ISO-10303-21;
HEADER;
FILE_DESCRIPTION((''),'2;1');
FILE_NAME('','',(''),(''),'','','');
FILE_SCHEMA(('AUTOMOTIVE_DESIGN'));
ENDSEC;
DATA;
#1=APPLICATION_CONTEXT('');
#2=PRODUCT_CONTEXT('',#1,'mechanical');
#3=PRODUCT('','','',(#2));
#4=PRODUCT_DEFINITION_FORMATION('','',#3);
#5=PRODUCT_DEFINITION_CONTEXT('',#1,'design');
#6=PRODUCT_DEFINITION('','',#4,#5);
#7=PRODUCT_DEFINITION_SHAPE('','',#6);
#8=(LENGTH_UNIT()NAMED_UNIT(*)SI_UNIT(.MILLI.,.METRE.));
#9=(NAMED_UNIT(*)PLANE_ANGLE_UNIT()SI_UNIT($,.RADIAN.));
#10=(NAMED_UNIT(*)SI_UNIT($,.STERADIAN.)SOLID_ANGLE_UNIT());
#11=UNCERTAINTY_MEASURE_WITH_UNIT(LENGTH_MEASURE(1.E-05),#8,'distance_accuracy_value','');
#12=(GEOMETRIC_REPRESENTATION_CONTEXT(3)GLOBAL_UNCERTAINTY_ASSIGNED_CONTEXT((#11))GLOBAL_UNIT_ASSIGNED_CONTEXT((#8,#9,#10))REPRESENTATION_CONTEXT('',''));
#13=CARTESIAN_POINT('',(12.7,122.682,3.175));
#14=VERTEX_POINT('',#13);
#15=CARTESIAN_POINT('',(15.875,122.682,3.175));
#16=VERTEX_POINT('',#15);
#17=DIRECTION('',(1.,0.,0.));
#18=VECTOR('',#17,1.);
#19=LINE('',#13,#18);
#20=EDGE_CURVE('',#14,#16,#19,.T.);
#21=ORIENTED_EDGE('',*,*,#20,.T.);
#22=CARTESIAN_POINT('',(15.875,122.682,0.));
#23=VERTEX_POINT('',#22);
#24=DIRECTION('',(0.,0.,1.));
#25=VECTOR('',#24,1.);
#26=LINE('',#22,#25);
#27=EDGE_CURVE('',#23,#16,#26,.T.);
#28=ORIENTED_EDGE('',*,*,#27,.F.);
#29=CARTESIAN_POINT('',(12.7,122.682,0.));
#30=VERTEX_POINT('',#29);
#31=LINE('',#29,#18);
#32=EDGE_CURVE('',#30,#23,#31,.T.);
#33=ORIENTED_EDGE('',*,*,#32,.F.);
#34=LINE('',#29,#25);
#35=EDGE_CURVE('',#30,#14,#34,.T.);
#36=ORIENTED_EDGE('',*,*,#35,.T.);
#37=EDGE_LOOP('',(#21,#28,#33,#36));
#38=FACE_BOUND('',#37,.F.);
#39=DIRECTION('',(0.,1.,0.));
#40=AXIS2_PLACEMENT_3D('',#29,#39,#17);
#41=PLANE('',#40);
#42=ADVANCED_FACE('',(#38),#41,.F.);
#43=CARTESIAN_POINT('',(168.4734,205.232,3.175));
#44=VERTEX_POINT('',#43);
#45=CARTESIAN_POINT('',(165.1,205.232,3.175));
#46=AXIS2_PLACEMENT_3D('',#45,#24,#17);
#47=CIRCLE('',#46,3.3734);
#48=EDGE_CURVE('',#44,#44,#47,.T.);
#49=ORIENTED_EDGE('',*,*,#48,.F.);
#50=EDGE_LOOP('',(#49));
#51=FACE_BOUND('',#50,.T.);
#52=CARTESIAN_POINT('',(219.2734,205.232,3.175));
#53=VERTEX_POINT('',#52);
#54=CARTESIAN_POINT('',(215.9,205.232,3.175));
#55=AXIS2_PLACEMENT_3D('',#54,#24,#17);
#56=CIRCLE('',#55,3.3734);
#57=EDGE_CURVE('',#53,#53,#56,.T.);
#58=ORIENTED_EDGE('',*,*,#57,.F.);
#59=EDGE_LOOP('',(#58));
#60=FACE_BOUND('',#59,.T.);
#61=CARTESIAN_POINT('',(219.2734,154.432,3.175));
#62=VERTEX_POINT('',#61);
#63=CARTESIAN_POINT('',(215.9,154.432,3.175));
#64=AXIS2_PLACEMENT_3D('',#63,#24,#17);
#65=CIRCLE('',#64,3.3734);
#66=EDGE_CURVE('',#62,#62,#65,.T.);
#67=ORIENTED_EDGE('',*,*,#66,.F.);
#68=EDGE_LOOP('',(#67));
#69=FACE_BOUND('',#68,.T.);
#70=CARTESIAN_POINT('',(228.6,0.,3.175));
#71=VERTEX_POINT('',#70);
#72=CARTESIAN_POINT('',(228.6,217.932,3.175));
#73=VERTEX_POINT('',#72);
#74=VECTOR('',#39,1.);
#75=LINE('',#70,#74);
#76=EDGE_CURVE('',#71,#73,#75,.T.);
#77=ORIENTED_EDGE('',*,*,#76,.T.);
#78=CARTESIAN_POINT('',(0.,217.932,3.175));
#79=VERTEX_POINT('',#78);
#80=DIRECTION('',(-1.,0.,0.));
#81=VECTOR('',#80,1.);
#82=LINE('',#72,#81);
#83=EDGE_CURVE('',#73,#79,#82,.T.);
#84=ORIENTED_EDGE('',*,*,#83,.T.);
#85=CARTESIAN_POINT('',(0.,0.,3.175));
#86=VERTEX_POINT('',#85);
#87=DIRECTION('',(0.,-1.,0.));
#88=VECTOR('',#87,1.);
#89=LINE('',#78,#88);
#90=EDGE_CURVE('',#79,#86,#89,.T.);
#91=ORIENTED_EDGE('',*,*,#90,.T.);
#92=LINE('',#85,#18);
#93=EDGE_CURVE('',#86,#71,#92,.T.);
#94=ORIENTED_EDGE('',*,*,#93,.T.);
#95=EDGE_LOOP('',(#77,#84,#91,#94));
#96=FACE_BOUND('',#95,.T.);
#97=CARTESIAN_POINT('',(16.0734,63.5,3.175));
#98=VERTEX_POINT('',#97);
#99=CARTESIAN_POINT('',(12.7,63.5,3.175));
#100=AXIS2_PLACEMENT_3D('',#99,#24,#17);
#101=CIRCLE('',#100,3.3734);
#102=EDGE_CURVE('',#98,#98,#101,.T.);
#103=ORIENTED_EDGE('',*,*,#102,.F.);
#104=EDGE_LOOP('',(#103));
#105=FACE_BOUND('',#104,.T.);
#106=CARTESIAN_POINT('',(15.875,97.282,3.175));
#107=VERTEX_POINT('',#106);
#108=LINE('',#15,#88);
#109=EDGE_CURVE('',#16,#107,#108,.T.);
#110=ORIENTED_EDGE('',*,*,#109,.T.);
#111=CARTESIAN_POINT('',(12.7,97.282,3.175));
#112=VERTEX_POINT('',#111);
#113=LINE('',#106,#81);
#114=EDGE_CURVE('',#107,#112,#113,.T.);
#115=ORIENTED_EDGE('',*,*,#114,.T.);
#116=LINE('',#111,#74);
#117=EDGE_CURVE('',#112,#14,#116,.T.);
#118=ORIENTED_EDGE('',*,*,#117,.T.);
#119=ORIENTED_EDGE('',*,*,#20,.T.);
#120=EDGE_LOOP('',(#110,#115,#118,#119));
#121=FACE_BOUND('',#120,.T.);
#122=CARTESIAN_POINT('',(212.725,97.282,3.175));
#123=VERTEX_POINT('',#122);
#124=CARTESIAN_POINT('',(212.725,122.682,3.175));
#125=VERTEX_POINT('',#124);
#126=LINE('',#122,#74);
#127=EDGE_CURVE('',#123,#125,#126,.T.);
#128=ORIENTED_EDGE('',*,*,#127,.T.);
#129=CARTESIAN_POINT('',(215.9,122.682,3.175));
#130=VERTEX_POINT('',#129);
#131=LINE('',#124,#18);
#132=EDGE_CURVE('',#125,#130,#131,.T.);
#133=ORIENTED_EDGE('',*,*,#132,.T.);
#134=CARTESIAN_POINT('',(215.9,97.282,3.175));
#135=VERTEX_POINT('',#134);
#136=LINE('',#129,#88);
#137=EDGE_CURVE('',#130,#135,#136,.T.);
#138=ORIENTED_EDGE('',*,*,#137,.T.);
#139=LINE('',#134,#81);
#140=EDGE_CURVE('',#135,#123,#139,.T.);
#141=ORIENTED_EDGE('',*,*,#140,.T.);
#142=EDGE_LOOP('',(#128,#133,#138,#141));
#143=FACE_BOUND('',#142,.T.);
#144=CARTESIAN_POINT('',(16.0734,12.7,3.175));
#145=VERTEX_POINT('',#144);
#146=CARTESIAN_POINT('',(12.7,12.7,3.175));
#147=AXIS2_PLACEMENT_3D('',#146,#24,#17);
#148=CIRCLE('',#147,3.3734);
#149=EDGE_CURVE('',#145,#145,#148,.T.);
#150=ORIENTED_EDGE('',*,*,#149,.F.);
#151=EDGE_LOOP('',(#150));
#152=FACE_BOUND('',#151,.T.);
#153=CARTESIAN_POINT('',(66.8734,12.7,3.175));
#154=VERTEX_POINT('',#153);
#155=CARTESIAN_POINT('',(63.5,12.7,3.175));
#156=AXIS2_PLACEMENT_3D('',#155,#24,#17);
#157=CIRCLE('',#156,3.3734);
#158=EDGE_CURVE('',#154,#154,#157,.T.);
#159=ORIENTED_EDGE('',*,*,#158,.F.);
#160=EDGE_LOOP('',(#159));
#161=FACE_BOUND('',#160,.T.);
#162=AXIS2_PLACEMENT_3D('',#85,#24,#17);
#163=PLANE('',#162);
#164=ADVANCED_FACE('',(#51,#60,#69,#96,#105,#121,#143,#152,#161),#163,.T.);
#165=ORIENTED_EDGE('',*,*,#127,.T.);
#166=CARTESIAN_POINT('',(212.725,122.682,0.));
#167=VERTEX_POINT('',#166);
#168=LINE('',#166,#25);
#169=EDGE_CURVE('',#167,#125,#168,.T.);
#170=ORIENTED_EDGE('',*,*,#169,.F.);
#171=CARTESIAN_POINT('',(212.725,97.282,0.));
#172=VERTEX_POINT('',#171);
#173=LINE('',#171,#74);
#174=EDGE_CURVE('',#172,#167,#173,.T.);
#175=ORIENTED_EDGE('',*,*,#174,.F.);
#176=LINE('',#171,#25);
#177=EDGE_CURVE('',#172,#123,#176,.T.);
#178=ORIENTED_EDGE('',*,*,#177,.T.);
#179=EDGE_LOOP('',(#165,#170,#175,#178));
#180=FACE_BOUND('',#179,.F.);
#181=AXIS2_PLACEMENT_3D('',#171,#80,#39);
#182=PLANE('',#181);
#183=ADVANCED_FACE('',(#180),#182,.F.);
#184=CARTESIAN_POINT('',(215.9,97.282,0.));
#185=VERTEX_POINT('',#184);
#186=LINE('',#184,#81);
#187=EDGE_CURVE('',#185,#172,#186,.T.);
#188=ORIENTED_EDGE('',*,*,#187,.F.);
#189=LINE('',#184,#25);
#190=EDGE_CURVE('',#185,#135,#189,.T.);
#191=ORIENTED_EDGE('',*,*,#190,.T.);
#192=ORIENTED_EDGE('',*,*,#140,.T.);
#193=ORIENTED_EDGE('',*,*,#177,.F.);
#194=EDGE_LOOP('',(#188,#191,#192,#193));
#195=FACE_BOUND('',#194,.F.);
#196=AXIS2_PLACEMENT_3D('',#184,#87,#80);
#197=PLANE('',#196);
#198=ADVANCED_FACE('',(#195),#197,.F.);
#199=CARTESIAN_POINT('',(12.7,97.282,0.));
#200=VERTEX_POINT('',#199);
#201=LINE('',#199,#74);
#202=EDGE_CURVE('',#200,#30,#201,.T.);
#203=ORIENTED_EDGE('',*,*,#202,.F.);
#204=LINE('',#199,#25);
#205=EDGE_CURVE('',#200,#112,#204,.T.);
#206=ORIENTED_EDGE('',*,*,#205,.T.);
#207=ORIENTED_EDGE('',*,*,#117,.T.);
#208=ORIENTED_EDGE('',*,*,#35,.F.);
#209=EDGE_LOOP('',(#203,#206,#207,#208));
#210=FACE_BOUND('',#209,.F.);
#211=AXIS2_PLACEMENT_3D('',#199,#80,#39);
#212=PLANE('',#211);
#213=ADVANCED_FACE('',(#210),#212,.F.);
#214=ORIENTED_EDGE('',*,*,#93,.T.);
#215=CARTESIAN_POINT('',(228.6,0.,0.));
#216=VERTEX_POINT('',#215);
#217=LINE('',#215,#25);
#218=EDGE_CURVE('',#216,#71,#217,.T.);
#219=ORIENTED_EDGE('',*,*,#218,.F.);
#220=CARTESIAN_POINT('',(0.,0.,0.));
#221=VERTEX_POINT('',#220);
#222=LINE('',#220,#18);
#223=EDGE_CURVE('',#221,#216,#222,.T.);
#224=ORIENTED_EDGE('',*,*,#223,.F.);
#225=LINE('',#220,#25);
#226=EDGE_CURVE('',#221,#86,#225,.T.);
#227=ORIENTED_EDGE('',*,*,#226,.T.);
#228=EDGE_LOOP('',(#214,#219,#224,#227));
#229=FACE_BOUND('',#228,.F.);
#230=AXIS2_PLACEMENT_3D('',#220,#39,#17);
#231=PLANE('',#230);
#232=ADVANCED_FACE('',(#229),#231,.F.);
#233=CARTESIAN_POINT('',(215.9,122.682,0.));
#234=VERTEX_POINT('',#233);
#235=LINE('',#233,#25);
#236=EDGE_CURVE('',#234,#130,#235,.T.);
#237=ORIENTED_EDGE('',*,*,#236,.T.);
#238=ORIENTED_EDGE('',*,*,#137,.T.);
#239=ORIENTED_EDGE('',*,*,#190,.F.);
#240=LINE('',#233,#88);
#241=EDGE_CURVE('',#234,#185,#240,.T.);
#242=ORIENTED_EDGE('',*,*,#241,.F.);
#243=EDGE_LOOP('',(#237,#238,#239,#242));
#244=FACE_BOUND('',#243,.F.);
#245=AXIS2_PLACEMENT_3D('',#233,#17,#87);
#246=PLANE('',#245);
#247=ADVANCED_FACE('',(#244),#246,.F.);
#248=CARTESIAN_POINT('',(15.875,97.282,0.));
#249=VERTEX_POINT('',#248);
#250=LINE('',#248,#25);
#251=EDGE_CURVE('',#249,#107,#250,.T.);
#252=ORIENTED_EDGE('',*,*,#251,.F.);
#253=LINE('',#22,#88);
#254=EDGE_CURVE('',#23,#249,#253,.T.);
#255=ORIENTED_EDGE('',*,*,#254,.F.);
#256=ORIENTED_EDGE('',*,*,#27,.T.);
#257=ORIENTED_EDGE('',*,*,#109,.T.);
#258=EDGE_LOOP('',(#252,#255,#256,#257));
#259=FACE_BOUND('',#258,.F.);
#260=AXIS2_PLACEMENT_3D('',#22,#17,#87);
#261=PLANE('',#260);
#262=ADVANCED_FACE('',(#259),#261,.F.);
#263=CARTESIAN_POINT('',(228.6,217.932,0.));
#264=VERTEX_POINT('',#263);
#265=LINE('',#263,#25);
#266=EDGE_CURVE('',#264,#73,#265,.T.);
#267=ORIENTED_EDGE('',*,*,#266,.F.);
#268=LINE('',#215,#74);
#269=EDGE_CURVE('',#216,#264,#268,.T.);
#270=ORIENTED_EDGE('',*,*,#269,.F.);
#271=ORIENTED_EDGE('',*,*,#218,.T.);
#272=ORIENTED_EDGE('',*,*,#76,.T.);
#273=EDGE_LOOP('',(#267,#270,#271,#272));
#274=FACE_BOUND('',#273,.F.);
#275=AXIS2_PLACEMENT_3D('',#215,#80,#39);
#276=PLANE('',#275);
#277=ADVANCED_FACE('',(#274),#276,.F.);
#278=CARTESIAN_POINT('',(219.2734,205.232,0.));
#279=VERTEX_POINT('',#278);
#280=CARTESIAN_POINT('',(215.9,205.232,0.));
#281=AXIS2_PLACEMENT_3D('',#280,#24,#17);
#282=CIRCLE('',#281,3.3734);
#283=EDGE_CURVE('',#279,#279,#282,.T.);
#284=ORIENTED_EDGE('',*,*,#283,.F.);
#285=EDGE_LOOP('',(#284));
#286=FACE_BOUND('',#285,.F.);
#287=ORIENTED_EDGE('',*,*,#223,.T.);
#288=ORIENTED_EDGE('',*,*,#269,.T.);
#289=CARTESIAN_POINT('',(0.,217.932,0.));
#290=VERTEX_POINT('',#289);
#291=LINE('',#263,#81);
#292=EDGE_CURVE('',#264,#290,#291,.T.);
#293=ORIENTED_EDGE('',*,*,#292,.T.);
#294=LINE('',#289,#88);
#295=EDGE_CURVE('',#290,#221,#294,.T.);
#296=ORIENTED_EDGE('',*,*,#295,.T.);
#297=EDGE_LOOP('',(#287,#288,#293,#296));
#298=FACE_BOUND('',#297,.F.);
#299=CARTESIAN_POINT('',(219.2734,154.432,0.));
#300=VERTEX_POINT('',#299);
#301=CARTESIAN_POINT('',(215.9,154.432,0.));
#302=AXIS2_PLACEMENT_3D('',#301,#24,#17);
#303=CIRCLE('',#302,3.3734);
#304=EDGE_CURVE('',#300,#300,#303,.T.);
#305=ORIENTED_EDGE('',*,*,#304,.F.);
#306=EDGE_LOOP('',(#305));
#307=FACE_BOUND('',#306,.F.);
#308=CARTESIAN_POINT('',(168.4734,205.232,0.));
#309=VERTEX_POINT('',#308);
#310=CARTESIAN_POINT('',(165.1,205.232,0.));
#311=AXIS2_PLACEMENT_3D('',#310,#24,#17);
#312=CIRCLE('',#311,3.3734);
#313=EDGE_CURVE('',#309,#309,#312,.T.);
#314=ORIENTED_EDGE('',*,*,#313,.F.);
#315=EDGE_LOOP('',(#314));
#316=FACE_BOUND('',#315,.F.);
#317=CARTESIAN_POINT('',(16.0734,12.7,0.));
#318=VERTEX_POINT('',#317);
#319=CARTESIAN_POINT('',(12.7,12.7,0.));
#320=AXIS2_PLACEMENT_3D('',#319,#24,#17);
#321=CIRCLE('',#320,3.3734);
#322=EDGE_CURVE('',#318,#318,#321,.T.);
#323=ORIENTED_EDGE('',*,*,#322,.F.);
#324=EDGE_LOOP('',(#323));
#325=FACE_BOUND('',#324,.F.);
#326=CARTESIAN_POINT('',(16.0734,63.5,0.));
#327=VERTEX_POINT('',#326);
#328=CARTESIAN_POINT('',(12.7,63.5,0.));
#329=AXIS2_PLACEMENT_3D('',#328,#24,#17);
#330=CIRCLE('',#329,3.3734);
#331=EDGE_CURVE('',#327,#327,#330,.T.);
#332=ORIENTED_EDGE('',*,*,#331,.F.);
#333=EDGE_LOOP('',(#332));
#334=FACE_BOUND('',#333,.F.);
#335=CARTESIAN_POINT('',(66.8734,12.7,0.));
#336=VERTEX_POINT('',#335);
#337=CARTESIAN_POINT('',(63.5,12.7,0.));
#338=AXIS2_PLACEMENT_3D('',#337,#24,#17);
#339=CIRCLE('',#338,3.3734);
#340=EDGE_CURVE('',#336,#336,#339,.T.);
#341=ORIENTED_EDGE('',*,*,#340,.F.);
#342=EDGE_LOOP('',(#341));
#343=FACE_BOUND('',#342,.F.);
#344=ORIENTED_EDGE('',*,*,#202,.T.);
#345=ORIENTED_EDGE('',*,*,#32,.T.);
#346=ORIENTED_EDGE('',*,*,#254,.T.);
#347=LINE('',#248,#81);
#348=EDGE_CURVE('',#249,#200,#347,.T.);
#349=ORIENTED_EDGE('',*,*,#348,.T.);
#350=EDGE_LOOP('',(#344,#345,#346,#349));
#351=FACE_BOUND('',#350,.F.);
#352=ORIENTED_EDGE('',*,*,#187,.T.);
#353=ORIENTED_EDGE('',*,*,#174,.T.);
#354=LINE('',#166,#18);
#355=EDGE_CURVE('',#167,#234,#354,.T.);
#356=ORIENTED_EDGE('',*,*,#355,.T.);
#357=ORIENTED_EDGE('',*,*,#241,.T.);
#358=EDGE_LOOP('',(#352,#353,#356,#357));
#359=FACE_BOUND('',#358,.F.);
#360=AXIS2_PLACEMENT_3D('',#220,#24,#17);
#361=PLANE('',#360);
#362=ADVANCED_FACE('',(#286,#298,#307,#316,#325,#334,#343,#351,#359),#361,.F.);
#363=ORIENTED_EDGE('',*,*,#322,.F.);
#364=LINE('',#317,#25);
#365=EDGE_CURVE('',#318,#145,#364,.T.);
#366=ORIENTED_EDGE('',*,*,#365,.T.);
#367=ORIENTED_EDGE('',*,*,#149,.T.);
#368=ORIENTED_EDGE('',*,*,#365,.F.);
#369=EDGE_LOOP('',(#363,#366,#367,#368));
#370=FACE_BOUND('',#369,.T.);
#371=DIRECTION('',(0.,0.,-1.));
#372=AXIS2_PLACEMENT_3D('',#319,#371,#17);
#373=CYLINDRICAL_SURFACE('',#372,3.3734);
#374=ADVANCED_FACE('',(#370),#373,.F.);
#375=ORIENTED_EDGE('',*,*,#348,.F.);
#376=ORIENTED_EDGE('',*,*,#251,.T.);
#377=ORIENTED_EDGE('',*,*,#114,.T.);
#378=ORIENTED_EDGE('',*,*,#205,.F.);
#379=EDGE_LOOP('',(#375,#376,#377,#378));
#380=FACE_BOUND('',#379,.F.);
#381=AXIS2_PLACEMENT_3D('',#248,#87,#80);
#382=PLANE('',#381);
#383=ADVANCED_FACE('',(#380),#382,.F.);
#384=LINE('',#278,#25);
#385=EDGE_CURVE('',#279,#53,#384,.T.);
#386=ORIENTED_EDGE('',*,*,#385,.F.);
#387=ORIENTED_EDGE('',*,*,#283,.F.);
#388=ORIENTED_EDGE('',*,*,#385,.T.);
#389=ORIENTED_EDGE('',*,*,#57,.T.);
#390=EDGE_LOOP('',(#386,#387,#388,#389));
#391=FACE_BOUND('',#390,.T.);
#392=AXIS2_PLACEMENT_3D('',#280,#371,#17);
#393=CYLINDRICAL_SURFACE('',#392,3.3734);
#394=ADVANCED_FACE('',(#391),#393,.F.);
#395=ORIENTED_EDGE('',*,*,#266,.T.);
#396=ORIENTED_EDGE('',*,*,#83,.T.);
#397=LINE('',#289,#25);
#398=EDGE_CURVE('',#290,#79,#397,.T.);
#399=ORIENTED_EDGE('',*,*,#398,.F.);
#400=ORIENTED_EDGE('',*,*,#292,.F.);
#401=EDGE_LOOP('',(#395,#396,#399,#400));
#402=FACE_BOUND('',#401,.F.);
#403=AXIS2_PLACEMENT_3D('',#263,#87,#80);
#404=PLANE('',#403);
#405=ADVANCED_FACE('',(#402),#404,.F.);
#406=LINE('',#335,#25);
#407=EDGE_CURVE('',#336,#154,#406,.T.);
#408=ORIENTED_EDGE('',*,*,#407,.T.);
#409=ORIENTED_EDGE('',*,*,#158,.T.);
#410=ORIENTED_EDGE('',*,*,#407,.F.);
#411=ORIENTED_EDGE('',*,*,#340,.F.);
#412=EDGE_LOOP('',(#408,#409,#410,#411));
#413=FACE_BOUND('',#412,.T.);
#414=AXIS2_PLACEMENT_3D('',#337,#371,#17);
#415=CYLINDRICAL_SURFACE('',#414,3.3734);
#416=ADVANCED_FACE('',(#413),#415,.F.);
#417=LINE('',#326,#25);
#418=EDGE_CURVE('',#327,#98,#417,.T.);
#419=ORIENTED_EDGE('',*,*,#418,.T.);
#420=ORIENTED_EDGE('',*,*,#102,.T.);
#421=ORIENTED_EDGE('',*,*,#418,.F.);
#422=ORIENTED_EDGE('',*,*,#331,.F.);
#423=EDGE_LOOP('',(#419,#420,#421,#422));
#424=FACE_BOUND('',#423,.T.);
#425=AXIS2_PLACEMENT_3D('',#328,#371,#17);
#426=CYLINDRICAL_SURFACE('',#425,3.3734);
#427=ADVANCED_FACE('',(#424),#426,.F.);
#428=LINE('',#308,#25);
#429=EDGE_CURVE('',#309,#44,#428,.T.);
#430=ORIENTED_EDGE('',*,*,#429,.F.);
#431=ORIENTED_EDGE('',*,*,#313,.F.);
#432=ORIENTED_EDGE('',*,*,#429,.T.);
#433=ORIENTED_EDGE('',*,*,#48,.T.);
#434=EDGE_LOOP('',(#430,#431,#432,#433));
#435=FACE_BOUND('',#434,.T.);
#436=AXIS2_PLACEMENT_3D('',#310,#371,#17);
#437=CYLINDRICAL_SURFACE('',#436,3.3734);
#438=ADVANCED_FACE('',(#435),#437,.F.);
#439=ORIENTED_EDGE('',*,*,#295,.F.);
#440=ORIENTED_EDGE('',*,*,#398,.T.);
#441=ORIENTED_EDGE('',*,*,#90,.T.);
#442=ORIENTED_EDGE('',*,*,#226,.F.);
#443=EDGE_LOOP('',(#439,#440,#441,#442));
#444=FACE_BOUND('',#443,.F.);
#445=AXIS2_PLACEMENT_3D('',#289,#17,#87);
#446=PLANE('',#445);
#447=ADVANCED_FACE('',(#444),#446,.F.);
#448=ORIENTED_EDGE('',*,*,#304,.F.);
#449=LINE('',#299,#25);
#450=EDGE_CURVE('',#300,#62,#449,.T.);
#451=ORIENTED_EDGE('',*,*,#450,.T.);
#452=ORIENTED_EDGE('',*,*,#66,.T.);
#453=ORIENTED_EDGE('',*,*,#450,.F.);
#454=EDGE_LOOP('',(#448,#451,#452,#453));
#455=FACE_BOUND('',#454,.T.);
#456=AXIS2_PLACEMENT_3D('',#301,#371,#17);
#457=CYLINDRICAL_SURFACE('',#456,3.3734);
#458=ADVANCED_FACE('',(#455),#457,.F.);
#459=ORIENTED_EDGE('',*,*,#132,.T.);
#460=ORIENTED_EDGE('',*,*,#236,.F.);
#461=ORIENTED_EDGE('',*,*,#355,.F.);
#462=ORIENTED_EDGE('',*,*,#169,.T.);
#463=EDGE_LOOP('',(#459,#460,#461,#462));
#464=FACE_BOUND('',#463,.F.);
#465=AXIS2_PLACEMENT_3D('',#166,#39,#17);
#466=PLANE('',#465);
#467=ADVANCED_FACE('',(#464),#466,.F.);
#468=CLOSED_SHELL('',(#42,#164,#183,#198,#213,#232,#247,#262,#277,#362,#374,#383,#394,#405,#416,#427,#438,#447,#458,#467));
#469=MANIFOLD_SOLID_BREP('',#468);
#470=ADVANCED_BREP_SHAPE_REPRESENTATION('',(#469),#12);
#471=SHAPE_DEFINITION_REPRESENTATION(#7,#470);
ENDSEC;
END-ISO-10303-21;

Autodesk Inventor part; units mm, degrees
ref_plane "YZ Plane" through (0, 0, 0) normal (1, 0, 0) x (0, 1, 0)
ref_plane "XZ Plane" through (0, 0, 0) normal (0, 1, 0) x (-1, 0, 0)
ref_plane "XY Plane" through (0, 0, 0) normal (0, 0, 1) x (1, 0, 0)
sketch "Sketch1" plane through (0, 0, 0) normal (0, 0, 1) x (1, 0, 0)
  line L0 (0, 0) -> (228.6, 0)
  line L1 (228.6, 0) -> (228.6, 217.932)
  line L2 (228.6, 217.932) -> (0, 217.932)
  line L3 (0, 217.932) -> (0, 0)
  circle A0 centre (12.7, 12.7) radius 3.3734
  circle A1 centre (63.5, 12.7) radius 3.3734
  circle A2 centre (12.7, 63.5) radius 3.3734
  circle A3 centre (215.9, 154.432) radius 3.3734
  circle A4 centre (165.1, 205.232) radius 3.3734
  circle A5 centre (215.9, 205.232) radius 3.3734
  line L4 (0, 12.7) -> (228.6, 12.7) construction
  line L5 (12.7, 217.932) -> (12.7, 0) construction
  line L6 (228.6, 205.232) -> (0, 205.232) construction
  line L7 (215.9, 217.932) -> (215.9, 0) construction
  line L8 (12.7, 122.682) -> (15.875, 122.682)
  line L9 (15.875, 122.682) -> (15.875, 97.282)
  line L10 (15.875, 97.282) -> (12.7, 97.282)
  line L11 (12.7, 97.282) -> (12.7, 122.682)
  line L12 (215.9, 97.282) -> (212.725, 97.282)
  line L13 (212.725, 97.282) -> (212.725, 122.682)
  line L14 (212.725, 122.682) -> (215.9, 122.682)
  line L15 (215.9, 122.682) -> (215.9, 97.282)
  dimension "d0" = 228.6
  dimension "d1" = 217.932
  dimension "d2" = 6.7469
  dimension "d3" = 12.7
  dimension "d4" = 12.7
  dimension "d5" = 12.7
  dimension "d6" = 12.7
  dimension "d9" = 50.8
  dimension "d10" = 50.8
  dimension "d11" = 50.8
  dimension "d12" = 50.8
  dimension "d15" = 95.25
  dimension "d16" = 25.4
  dimension "d17" = 3.175
  dimension "d18" = 95.25
extrude "Extrusion2" add sketch "Sketch1" along normal blind 3.175
properties part number "battery plate" material "Aluminum 6061"
